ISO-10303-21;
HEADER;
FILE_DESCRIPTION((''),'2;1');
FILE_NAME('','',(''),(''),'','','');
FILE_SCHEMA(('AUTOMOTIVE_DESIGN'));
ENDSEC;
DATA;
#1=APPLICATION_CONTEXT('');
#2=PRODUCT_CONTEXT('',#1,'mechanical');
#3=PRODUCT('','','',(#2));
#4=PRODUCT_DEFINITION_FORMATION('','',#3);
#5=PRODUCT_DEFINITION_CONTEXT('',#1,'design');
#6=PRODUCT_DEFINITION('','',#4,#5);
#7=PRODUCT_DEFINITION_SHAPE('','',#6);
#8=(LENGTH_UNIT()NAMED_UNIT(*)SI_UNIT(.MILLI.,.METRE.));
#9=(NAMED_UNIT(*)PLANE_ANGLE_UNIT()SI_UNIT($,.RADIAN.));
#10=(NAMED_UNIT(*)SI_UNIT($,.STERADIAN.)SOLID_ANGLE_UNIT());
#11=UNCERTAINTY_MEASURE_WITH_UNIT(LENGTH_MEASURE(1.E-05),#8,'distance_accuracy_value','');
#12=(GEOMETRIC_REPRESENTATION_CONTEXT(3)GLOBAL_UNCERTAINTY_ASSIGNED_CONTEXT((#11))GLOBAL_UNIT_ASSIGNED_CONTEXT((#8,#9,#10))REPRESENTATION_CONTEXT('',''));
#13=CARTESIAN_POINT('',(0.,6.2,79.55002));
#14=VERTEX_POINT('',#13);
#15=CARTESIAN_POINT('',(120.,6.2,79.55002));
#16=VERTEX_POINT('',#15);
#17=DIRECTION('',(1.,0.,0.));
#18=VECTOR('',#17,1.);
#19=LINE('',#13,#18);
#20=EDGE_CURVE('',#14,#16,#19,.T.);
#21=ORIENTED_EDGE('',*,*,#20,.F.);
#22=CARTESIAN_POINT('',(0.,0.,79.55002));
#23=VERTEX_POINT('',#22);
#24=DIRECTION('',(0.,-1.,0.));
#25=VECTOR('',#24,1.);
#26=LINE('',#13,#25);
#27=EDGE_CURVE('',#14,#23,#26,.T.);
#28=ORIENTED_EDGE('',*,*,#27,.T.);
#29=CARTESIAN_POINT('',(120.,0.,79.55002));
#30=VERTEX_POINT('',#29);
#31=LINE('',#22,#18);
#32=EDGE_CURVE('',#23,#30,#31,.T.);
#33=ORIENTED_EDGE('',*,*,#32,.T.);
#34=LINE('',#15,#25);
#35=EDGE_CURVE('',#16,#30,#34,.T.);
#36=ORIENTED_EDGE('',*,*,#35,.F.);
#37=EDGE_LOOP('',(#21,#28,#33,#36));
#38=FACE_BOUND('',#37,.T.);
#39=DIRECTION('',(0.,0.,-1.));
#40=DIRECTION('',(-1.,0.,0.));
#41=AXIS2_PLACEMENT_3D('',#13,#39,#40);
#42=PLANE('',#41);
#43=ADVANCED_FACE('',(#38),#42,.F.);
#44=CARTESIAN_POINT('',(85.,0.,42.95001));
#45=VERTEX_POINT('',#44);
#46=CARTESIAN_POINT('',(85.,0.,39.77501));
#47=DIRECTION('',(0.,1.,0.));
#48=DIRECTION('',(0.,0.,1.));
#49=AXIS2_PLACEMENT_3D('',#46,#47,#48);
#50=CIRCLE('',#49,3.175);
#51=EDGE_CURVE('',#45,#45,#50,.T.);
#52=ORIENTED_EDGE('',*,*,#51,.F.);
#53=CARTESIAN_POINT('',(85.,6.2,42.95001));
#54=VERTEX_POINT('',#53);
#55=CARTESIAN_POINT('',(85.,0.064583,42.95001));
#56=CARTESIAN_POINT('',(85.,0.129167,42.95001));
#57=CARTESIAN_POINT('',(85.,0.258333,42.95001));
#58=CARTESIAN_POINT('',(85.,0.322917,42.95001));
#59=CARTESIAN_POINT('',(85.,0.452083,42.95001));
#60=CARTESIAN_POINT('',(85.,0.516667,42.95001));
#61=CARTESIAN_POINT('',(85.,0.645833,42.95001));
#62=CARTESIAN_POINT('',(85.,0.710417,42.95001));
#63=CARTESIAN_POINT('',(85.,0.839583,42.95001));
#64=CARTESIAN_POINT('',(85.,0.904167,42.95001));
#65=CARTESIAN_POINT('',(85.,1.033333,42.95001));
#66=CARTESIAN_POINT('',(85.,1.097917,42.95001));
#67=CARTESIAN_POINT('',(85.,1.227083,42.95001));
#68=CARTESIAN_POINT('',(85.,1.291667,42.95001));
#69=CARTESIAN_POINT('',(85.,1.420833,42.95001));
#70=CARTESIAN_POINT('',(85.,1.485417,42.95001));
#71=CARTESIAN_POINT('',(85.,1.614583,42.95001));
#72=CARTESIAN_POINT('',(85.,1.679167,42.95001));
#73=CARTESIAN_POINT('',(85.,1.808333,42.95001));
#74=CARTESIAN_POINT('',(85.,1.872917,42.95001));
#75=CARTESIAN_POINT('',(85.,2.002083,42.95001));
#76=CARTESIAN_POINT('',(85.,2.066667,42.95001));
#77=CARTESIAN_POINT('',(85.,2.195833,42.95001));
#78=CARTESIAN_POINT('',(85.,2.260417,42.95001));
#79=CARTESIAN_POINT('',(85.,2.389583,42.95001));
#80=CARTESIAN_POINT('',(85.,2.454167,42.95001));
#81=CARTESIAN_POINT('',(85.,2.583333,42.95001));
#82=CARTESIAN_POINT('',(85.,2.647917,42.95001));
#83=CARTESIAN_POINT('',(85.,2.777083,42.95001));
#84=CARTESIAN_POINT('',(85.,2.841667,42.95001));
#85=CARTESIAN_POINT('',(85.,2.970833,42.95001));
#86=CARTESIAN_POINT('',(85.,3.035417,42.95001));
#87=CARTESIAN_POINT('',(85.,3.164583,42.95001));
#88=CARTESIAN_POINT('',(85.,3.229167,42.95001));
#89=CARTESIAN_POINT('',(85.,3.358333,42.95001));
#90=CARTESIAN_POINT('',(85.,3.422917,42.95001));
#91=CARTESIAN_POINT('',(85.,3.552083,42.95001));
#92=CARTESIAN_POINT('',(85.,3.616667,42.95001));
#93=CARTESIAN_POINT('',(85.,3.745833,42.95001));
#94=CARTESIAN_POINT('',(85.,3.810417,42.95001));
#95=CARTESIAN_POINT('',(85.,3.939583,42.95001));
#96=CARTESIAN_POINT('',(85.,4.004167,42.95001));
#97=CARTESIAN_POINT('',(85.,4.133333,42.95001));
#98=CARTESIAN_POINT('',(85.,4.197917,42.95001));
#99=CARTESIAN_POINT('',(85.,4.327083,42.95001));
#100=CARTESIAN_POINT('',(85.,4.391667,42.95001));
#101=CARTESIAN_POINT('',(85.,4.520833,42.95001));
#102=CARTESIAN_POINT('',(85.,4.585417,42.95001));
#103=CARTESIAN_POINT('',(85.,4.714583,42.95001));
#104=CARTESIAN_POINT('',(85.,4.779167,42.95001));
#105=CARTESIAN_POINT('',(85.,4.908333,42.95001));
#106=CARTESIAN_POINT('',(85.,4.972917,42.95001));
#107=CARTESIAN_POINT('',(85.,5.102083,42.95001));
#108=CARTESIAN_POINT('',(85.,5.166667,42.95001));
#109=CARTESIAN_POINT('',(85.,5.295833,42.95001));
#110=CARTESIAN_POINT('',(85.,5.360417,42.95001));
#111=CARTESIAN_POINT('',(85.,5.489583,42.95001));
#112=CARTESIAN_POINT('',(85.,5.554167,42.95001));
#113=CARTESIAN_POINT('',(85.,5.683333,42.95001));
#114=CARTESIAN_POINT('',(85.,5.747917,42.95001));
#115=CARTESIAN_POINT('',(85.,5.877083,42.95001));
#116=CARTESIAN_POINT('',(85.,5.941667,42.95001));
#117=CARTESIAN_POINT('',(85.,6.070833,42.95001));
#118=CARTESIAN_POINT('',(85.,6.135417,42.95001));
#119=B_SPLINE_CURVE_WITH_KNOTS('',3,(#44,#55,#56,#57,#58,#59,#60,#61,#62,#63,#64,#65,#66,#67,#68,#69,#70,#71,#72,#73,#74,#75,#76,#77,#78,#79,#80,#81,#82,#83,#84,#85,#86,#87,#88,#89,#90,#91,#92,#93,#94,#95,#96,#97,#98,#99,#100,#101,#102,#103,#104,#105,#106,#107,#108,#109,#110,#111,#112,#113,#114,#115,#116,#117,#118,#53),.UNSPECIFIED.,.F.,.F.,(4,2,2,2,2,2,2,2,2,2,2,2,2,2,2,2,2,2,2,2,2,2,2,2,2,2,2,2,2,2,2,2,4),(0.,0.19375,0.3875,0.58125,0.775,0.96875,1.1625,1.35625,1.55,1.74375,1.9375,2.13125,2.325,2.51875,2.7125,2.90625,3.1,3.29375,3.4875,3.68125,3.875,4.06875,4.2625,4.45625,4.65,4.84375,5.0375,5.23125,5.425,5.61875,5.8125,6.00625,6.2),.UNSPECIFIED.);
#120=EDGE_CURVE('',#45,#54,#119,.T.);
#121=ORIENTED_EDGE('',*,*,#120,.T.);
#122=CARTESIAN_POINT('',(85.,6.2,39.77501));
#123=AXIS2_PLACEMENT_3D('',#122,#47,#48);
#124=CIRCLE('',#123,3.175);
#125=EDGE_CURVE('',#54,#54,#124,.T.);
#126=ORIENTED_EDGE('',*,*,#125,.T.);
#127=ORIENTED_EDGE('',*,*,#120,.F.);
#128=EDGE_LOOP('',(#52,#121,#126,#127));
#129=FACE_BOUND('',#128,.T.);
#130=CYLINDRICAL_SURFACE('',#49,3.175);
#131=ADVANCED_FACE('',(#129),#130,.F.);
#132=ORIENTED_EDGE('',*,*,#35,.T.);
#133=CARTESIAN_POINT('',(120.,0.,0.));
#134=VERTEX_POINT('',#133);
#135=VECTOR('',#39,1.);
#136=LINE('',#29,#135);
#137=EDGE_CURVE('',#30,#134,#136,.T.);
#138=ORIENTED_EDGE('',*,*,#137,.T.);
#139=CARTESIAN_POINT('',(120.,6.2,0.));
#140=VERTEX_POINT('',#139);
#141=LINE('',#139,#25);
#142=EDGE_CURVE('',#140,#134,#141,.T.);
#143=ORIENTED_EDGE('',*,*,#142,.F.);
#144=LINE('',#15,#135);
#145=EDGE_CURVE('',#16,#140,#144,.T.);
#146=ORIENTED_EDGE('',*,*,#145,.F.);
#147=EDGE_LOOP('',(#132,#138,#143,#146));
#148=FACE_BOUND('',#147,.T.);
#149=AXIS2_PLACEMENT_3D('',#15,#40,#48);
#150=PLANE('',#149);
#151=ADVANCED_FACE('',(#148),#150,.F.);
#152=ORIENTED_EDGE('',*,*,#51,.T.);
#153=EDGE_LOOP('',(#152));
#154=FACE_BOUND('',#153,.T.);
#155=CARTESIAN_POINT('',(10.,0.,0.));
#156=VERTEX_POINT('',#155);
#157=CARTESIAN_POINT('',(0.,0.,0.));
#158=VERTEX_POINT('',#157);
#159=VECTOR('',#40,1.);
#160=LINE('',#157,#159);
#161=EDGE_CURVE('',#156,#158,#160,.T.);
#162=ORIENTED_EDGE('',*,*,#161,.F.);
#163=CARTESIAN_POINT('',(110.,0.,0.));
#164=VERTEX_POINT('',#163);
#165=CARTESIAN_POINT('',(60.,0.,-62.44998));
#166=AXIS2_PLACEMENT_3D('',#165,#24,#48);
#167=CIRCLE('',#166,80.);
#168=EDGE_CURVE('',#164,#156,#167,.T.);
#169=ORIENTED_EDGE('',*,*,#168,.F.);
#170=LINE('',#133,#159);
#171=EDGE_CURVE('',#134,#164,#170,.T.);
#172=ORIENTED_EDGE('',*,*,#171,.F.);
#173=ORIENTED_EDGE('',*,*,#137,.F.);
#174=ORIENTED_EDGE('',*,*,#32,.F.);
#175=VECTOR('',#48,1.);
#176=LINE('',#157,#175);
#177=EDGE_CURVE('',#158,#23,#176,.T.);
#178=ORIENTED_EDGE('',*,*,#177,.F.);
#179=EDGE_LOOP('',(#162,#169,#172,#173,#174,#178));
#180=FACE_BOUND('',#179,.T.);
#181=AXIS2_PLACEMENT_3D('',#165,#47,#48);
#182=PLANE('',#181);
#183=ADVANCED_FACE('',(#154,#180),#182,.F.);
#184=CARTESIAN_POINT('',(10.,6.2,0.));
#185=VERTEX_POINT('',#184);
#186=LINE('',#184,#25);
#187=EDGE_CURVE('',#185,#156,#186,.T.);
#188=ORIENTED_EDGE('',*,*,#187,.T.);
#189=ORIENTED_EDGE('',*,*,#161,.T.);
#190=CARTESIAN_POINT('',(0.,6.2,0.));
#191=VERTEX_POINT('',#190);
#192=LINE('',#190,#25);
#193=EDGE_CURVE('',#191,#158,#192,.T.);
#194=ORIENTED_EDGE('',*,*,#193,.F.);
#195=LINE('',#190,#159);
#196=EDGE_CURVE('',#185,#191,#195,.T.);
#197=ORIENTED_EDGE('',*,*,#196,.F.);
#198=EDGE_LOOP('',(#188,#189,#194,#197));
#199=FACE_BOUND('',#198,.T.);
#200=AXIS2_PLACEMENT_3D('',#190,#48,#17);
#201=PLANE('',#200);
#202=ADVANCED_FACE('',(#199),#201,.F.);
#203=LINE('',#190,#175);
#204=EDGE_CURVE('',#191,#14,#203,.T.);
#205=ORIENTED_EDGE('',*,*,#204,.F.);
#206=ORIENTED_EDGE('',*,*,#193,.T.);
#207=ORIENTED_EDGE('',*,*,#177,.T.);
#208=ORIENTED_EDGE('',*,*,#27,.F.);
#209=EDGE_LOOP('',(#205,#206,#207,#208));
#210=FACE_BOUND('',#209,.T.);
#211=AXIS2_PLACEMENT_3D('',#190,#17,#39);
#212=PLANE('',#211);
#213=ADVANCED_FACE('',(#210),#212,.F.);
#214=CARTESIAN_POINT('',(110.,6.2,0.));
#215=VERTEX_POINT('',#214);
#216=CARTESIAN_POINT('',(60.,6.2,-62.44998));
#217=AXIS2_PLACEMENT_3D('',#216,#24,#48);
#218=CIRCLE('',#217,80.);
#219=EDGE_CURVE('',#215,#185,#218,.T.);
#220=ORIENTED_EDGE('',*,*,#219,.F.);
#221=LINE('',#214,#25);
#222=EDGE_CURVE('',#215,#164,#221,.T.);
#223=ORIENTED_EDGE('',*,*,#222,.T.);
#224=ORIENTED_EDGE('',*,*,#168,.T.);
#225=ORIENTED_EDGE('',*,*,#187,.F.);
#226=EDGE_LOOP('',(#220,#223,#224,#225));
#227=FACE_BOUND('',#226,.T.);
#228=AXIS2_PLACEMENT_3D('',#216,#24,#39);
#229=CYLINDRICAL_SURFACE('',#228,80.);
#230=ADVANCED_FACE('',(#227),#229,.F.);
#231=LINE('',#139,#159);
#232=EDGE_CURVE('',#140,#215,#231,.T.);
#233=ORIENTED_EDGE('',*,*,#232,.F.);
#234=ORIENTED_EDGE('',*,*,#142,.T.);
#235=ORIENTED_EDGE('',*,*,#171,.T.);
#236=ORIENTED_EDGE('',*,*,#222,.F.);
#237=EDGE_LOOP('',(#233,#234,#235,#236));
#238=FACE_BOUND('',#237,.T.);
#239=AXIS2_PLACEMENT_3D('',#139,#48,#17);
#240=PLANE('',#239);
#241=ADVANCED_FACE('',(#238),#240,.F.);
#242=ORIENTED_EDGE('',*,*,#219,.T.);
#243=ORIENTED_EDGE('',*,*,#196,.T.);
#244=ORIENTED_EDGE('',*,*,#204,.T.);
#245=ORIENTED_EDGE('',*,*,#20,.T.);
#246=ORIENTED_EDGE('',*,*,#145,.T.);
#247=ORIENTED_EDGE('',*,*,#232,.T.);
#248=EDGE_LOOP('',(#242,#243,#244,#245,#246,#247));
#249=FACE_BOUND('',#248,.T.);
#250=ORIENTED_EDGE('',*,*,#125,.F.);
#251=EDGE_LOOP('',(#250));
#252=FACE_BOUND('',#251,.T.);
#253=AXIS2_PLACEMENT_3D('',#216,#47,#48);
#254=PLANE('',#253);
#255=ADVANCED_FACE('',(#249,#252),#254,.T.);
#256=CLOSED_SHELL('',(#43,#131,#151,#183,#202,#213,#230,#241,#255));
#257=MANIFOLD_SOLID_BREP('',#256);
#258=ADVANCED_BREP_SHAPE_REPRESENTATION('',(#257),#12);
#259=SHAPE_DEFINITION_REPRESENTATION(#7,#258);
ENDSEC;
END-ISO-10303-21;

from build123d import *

# Parameters (mm, degrees)
SALIENTE_EXTRUIR1_DEPTH = 6.2
CROQUIS2_R              = 3.175
CORTAR_EXTRUIR1_DEPTH   = 145.106369341


with BuildPart() as part:
    # Croquis1 → Saliente-Extruir1 (new body)
    with BuildSketch(Plane(origin=(0, 0, 0), x_dir=(1, 0, 0), z_dir=(0, 1, 0))):
        with BuildLine():
            Line((0, 0), (0, -79.550020016))
            Line((0, -79.550020016), (120, -79.550020016))
            Line((120, -79.550020016), (120, 0))
            Line((120, 0), (110, 0))
            ThreePointArc((110, 0), (60, -17.550020016), (10, 0))
            Line((10, 0), (0, 0))
        make_face()
    extrude(amount=SALIENTE_EXTRUIR1_DEPTH)

    # Croquis2 → Cortar-Extruir1 (cut, through all)
    with BuildSketch(Plane(origin=(0, 6.2, 0), x_dir=(1, 0, 0), z_dir=(0, 1, 0))):
        with Locations(Location((85, -39.775010008, 0), (0, 0, 270))):
            Circle(CROQUIS2_R)
    extrude(amount=-CORTAR_EXTRUIR1_DEPTH, mode=Mode.SUBTRACT)


solid = part.part
